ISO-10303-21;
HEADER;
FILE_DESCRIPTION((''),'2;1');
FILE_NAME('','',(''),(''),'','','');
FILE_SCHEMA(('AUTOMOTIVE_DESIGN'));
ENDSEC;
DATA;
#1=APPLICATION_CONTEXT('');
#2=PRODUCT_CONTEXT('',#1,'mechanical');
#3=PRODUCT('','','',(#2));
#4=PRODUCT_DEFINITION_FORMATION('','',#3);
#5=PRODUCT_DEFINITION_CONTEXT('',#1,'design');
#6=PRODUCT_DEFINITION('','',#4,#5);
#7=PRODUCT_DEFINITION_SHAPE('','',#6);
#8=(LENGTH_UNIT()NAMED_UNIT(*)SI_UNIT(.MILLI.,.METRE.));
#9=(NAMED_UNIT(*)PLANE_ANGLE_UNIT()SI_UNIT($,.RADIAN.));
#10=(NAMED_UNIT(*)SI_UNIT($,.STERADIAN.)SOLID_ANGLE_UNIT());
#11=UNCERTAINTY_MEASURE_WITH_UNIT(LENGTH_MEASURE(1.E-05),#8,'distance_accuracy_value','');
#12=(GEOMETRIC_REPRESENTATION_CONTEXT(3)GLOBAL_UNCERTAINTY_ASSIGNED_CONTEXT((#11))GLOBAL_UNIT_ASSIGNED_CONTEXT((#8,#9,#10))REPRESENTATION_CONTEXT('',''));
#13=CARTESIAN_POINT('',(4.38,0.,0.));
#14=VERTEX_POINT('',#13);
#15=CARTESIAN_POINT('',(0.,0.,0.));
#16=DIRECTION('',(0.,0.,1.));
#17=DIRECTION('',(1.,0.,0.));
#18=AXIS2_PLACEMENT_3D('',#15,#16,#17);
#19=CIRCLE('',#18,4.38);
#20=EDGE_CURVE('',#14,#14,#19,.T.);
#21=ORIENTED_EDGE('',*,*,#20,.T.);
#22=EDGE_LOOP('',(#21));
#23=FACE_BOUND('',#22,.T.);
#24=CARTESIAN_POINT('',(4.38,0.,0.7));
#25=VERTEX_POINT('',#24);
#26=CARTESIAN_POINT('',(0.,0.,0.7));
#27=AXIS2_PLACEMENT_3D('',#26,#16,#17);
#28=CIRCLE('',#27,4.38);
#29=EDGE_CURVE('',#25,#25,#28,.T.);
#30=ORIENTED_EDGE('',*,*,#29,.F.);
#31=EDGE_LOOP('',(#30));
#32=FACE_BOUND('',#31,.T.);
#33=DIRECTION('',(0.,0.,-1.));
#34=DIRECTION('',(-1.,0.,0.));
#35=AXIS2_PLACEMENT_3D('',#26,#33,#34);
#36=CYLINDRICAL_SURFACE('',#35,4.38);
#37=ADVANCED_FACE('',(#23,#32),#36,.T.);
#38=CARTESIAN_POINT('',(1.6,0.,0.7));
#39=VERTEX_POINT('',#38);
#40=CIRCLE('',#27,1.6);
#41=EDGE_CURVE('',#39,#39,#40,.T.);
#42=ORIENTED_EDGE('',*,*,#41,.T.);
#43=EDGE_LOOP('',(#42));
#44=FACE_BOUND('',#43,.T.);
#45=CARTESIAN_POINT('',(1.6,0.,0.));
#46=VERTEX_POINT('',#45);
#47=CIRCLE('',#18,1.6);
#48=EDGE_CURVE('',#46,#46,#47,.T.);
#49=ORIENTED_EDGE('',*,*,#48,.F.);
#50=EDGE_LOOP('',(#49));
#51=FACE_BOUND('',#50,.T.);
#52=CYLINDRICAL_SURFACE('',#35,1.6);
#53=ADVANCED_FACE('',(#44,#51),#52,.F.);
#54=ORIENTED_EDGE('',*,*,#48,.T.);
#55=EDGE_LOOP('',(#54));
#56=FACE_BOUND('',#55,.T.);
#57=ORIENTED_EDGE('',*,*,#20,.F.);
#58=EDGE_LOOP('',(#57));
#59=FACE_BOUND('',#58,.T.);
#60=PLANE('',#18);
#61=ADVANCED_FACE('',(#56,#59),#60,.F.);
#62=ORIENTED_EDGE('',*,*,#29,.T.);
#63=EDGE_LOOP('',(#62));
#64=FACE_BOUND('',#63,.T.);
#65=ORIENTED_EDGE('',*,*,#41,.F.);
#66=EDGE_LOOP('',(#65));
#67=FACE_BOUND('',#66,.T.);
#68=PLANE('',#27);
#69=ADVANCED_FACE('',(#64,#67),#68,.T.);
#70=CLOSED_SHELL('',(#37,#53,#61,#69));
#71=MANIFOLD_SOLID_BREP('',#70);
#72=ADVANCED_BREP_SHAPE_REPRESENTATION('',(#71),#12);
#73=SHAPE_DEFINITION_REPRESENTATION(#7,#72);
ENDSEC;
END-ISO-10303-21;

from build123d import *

# Parameters (mm, degrees)
BODY_SKETCH_R   = 4.38
BODY_SKETCH_R_2 = 1.6
BODY_DEPTH      = 0.7


with BuildPart() as part:
    # body_sketch → body (new body)
    with BuildSketch(Plane.XY):
        Circle(BODY_SKETCH_R)
        Circle(BODY_SKETCH_R_2, mode=Mode.SUBTRACT)
    extrude(amount=BODY_DEPTH)


solid = part.part
